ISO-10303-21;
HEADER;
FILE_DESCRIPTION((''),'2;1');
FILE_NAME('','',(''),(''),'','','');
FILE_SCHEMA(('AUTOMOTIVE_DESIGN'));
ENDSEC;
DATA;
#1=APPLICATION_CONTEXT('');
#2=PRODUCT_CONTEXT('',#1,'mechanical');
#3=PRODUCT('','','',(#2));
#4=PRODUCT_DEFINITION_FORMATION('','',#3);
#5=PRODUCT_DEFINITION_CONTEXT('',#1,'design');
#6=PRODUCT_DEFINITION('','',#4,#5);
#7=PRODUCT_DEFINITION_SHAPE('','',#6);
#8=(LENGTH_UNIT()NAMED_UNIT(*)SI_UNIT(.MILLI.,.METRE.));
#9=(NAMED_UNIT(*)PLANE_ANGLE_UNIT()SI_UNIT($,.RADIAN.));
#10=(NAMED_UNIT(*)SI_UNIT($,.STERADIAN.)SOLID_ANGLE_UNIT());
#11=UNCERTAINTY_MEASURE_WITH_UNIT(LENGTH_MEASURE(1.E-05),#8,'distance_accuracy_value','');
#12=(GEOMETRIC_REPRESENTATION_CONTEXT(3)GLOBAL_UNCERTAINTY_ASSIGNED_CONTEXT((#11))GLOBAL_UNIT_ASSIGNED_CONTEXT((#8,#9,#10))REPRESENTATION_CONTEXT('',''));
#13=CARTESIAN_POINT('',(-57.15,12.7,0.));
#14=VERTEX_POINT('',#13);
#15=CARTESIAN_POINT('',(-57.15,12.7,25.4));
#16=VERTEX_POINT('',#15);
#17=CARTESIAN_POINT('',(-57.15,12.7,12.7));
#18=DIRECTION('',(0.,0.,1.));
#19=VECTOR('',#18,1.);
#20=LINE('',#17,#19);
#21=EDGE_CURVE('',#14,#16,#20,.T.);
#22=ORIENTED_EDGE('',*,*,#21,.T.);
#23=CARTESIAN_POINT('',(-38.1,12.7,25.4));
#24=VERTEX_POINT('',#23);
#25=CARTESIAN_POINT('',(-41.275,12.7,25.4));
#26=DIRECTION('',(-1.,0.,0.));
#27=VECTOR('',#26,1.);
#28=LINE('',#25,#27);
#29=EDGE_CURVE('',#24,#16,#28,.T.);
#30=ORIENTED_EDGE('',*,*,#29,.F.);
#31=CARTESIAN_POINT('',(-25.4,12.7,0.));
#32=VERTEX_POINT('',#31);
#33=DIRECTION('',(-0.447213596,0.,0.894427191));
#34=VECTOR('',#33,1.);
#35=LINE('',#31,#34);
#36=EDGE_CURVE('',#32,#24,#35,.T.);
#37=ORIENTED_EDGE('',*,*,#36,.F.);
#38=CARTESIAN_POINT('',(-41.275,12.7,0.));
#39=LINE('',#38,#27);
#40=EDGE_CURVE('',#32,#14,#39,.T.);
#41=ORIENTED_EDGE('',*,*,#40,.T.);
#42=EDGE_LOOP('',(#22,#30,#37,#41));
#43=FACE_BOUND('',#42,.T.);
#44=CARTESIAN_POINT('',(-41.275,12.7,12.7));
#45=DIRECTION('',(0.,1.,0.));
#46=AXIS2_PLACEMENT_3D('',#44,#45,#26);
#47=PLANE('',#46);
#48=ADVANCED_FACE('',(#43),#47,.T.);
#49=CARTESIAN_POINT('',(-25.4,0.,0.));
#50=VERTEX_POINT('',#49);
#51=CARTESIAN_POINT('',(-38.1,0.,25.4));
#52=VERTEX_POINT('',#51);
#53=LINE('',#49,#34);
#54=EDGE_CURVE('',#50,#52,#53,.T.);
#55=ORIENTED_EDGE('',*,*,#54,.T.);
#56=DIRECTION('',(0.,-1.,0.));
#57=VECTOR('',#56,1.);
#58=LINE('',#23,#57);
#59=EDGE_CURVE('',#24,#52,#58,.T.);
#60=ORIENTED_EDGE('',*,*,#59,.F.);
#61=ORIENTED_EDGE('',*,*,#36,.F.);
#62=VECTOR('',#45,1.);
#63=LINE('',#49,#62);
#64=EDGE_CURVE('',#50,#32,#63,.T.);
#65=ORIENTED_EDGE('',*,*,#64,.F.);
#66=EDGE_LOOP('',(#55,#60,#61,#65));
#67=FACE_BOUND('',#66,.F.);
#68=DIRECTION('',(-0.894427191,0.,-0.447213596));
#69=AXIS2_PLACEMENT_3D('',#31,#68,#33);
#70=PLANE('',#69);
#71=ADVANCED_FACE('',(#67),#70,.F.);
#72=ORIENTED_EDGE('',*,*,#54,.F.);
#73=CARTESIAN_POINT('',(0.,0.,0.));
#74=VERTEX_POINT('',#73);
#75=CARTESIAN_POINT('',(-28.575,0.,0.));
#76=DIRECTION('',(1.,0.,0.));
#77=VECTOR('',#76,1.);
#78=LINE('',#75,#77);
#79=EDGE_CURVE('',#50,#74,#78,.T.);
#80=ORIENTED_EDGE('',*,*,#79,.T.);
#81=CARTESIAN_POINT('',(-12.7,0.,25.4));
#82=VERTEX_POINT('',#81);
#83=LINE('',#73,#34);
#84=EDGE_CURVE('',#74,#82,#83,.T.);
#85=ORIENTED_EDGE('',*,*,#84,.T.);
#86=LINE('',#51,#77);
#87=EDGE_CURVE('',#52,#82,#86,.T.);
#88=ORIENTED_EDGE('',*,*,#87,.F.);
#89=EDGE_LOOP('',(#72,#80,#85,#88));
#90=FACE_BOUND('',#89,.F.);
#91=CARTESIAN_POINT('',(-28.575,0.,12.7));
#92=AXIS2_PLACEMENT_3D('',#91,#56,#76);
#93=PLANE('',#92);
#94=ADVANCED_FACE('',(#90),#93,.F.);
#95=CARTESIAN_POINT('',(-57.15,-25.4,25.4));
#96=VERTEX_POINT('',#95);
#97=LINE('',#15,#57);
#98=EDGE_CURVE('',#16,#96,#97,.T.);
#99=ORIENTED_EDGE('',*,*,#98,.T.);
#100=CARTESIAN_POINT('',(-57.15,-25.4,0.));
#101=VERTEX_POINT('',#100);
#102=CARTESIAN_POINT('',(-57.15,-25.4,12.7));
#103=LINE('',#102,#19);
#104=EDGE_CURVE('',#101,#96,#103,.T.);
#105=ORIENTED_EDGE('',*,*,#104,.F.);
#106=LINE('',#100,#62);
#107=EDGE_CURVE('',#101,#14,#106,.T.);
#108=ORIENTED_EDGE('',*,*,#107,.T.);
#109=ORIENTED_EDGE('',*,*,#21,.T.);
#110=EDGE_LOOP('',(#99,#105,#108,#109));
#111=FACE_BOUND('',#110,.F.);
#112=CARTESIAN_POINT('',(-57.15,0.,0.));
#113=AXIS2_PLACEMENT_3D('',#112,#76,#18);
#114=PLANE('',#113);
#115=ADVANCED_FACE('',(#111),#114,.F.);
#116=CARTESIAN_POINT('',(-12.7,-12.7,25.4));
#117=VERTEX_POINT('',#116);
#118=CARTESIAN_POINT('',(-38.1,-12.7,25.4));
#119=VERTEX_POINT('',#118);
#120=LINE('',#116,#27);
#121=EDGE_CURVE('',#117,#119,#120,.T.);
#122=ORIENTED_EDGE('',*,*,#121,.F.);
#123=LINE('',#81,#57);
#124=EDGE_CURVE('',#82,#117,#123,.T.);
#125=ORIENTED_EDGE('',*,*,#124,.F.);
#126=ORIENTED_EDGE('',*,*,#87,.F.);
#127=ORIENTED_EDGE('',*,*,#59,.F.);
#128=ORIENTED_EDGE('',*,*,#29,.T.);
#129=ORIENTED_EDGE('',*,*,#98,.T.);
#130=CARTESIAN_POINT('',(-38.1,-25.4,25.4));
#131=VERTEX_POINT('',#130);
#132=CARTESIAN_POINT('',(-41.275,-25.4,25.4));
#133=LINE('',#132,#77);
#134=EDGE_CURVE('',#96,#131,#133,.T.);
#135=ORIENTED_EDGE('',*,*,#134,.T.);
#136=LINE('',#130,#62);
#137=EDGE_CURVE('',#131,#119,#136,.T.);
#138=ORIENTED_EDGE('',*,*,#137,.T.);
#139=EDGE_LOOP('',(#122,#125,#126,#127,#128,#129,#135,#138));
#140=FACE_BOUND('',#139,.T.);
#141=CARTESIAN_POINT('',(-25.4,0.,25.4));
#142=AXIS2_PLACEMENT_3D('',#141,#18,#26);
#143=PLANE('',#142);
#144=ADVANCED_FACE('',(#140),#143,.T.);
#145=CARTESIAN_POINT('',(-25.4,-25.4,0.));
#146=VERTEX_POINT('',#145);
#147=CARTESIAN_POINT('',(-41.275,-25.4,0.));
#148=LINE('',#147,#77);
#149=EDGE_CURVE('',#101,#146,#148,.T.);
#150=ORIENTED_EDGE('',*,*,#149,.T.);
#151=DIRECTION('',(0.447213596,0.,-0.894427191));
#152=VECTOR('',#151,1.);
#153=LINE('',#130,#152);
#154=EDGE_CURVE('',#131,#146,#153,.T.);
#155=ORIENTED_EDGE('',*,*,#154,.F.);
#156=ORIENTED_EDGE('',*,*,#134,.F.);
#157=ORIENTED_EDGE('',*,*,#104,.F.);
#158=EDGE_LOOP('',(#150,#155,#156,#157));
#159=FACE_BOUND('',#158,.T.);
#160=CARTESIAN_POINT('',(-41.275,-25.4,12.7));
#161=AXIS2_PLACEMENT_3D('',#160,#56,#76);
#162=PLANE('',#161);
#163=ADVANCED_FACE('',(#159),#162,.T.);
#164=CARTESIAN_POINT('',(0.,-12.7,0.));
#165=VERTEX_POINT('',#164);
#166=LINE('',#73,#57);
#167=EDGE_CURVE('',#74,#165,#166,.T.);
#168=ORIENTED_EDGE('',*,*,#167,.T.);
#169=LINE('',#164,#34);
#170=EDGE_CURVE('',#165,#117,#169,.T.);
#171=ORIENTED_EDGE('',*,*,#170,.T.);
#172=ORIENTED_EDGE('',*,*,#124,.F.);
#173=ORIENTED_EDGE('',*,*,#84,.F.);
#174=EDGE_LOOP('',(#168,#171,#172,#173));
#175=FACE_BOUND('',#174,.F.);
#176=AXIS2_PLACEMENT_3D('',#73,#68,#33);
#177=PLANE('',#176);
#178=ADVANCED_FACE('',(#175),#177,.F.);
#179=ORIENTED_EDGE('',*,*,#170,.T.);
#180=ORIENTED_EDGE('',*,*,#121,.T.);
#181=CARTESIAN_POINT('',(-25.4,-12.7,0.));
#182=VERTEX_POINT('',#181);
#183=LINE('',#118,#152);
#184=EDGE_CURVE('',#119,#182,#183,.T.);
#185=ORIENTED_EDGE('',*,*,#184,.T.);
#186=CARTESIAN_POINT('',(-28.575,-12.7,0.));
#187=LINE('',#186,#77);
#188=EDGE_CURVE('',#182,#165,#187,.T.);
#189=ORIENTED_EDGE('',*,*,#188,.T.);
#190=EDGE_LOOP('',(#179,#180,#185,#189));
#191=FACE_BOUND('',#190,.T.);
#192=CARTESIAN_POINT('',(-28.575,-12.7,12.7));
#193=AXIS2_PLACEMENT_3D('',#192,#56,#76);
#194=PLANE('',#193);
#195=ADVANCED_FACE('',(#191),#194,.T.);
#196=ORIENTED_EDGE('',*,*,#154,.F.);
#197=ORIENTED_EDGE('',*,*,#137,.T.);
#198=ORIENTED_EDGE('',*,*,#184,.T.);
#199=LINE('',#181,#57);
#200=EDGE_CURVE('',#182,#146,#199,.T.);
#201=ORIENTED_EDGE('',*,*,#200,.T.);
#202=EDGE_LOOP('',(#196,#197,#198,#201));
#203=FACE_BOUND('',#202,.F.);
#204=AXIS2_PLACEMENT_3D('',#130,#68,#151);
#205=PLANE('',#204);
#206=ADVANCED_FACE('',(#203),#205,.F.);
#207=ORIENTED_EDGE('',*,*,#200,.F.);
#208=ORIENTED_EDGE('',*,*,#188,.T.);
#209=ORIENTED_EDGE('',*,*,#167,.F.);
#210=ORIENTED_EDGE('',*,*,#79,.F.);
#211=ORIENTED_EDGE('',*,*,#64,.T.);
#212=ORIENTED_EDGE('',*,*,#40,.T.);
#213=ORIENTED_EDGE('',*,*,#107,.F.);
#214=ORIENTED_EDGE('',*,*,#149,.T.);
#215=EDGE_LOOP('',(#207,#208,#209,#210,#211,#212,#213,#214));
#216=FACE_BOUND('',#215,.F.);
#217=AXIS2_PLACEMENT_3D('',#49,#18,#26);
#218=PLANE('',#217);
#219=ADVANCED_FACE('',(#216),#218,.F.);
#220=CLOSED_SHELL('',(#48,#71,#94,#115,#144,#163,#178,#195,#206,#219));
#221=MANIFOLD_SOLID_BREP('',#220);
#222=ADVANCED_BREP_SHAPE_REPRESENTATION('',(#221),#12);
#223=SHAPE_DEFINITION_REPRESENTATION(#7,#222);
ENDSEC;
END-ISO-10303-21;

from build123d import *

# Parameters (mm, degrees)
F0_W      = 57.15
F0_H      = 25.4
F1_DEPTH  = 12.7
F2_W      = 31.75
F2_H      = 25.4
F3_DEPTH  = 12.7
F4_W      = 31.75
F4_H      = 25.4
F5_DEPTH  = 12.7
F7_DEPTH  = 12.7
F9_DEPTH  = 12.7
F11_DEPTH = 12.7


with BuildPart() as f1:
    # F0 (on Front) → F1 (new body)
    with BuildSketch(Plane.XZ):
        with Locations((-28.575, 12.7)):
            Rectangle(F0_W, F0_H)
    extrude(amount=F1_DEPTH)

    # F2 (on face) → F3 (join)
    with BuildSketch(Plane.XZ.offset(12.7)):
        with Locations((-41.275, 12.7)):
            Rectangle(F2_W, F2_H)
    extrude(amount=F3_DEPTH)

    # F4 (on face) → F5 (join)
    with BuildSketch(Plane(origin=(0, 0, 0), x_dir=(-1, 0, 0), z_dir=(0, 1, 0))):
        with Locations((41.275, 12.7)):
            Rectangle(F4_W, F4_H)
    extrude(amount=F5_DEPTH)

    # F6 (on face) → F7 (cut)
    with BuildSketch(Plane(origin=(0, 12.7, 0), x_dir=(-1, 0, 0), z_dir=(0, 1, 0))):
        Polygon((25.4, 25.4), (25.4, 0), (38.1, 25.4), align=None)
    extrude(amount=-F7_DEPTH, mode=Mode.SUBTRACT)

    # F8 (on face) → F9 (cut)
    with BuildSketch(Plane(origin=(0, 0, 0), x_dir=(-1, 0, 0), z_dir=(0, 1, 0))):
        Polygon((0, 25.4), (0, 0), (12.7, 25.4), align=None)
    extrude(amount=-F9_DEPTH, mode=Mode.SUBTRACT)

    # F10 (on face) → F11 (cut)
    with BuildSketch(Plane.XZ.offset(25.4)):
        Polygon((-38.1, 25.4), (-25.4, 0), (-25.4, 25.4), align=None)
    extrude(amount=-F11_DEPTH, mode=Mode.SUBTRACT)


solid = f1.part
